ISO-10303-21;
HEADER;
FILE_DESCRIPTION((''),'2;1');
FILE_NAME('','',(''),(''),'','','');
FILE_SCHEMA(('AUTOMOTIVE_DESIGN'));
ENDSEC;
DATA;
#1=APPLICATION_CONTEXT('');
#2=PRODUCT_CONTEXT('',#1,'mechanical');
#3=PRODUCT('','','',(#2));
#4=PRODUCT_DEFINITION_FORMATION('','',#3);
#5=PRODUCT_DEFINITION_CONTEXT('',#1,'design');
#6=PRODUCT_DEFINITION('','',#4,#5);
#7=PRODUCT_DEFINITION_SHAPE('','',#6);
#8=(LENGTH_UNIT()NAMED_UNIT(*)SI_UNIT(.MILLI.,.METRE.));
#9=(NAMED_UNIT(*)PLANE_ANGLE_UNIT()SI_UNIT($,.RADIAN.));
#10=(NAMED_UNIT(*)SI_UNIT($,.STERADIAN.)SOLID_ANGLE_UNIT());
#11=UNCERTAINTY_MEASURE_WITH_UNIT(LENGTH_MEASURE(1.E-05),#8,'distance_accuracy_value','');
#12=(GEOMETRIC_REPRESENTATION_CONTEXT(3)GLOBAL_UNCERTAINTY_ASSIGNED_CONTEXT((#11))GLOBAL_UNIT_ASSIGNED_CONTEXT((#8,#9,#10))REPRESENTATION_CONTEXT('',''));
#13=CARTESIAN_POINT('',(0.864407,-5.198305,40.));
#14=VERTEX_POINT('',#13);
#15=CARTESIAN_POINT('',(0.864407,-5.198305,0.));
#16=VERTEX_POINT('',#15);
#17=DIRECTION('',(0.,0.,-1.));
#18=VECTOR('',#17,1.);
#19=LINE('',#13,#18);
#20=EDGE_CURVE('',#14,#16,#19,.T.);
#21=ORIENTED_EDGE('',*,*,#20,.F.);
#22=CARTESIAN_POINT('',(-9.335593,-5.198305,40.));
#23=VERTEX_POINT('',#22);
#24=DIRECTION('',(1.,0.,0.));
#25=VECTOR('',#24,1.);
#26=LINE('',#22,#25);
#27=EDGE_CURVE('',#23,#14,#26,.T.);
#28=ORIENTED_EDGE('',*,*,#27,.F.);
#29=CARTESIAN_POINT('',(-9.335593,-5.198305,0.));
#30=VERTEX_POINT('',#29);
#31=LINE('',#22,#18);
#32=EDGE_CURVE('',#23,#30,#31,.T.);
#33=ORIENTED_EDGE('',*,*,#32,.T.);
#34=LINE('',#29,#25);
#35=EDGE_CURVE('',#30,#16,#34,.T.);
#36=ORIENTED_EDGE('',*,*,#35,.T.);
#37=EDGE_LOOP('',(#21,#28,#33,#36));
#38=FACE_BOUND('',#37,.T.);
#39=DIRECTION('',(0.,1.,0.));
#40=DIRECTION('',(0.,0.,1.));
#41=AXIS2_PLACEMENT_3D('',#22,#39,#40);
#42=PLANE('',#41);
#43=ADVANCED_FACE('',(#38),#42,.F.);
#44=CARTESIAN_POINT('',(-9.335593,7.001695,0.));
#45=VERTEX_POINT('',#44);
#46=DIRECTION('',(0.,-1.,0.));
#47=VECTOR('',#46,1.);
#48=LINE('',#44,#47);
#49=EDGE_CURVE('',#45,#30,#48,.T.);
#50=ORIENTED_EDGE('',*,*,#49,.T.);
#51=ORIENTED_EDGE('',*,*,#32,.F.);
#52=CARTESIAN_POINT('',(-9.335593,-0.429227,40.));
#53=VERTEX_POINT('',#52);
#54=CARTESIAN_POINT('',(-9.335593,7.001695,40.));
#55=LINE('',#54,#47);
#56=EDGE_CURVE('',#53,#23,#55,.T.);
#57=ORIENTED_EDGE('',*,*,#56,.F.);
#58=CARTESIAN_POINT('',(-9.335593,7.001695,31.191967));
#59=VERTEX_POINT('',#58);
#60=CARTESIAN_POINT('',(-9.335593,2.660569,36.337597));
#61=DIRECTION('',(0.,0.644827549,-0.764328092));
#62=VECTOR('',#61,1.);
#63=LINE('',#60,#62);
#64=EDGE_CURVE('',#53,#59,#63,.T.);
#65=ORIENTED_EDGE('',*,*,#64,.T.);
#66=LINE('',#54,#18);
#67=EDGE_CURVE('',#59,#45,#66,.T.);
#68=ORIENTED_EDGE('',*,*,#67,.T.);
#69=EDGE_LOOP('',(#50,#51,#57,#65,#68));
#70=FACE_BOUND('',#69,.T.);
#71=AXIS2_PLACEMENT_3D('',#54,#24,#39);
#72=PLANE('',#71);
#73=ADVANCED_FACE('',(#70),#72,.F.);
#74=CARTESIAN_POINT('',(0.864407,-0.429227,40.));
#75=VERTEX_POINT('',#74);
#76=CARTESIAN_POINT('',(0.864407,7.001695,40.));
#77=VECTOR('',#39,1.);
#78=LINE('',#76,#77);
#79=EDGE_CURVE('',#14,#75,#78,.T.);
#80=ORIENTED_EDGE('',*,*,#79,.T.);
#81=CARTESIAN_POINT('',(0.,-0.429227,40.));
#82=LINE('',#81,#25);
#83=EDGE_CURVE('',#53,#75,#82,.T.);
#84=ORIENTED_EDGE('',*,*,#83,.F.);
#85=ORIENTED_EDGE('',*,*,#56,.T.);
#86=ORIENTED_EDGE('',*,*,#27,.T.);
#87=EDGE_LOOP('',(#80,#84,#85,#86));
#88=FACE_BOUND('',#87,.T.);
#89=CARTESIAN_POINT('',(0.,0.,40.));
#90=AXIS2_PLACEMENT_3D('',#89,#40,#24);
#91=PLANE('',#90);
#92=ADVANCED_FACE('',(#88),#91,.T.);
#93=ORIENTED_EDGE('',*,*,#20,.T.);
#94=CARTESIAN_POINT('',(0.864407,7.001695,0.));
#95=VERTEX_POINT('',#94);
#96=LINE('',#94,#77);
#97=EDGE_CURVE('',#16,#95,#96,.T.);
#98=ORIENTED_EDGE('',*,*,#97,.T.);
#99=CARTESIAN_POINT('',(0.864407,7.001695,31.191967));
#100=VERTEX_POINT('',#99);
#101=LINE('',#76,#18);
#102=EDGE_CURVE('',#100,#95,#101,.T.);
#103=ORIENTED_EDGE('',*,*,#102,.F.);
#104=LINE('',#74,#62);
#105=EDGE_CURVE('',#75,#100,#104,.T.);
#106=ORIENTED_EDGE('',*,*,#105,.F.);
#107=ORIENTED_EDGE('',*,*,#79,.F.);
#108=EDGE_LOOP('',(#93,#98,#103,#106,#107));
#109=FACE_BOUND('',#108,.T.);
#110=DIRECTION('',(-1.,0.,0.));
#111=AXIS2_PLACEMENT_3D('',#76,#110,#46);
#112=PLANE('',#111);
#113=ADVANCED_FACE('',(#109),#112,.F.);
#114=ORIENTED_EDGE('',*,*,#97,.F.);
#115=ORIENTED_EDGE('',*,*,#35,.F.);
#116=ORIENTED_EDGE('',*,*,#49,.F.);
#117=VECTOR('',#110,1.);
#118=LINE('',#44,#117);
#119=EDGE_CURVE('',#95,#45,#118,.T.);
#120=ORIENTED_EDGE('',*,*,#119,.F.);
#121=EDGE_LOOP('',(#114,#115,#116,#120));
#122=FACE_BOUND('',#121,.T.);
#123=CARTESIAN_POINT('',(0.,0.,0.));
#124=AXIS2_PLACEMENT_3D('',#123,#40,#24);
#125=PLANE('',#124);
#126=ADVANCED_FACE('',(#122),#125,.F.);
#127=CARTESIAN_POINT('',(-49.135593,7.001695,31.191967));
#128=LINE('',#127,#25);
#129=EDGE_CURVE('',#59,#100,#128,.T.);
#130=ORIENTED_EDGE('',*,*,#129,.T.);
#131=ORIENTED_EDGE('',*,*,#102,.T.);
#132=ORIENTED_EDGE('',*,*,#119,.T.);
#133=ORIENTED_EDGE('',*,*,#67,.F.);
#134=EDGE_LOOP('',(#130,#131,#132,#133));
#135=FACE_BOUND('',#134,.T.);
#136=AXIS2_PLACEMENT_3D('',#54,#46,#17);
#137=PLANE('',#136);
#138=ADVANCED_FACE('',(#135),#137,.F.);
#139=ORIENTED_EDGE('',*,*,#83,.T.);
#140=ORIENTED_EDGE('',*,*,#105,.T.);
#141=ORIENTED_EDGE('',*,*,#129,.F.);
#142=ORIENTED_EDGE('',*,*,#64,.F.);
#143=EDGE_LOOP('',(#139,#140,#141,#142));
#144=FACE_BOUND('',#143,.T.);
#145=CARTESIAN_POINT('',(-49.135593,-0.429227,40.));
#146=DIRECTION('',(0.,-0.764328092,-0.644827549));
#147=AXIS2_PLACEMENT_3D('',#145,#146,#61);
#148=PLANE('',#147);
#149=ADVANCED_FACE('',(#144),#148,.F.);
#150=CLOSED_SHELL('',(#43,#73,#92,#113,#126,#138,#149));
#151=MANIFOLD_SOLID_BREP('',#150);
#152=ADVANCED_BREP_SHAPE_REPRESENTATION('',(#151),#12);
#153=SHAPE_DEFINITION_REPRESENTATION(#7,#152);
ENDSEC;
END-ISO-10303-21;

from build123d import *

# Parameters (mm, degrees)
SKETCH1_W           = 10.2
SKETCH1_H           = 12.2
BOSS_EXTRUDE1_DEPTH = 40
CUT_EXTRUDE1_DEPTH  = 50


with BuildPart() as part:
    # Sketch1 → Boss-Extrude1 (new body)
    with BuildSketch(Plane.XY):
        with Locations((-4.23559322, 0.901694915)):
            Rectangle(SKETCH1_W, SKETCH1_H)
    extrude(amount=BOSS_EXTRUDE1_DEPTH)

    # Sketch2 → Cut-Extrude1 (cut)
    with BuildSketch(Plane(origin=(0.86440678, 0, 0), x_dir=(0, 0, -1), z_dir=(1, 0, 0))):
        Polygon((-40, -0.429227244), (-31.191966643, 7.001694915), (-40, 7.001694915), align=None)
    extrude(amount=-CUT_EXTRUDE1_DEPTH, mode=Mode.SUBTRACT)


solid = part.part
